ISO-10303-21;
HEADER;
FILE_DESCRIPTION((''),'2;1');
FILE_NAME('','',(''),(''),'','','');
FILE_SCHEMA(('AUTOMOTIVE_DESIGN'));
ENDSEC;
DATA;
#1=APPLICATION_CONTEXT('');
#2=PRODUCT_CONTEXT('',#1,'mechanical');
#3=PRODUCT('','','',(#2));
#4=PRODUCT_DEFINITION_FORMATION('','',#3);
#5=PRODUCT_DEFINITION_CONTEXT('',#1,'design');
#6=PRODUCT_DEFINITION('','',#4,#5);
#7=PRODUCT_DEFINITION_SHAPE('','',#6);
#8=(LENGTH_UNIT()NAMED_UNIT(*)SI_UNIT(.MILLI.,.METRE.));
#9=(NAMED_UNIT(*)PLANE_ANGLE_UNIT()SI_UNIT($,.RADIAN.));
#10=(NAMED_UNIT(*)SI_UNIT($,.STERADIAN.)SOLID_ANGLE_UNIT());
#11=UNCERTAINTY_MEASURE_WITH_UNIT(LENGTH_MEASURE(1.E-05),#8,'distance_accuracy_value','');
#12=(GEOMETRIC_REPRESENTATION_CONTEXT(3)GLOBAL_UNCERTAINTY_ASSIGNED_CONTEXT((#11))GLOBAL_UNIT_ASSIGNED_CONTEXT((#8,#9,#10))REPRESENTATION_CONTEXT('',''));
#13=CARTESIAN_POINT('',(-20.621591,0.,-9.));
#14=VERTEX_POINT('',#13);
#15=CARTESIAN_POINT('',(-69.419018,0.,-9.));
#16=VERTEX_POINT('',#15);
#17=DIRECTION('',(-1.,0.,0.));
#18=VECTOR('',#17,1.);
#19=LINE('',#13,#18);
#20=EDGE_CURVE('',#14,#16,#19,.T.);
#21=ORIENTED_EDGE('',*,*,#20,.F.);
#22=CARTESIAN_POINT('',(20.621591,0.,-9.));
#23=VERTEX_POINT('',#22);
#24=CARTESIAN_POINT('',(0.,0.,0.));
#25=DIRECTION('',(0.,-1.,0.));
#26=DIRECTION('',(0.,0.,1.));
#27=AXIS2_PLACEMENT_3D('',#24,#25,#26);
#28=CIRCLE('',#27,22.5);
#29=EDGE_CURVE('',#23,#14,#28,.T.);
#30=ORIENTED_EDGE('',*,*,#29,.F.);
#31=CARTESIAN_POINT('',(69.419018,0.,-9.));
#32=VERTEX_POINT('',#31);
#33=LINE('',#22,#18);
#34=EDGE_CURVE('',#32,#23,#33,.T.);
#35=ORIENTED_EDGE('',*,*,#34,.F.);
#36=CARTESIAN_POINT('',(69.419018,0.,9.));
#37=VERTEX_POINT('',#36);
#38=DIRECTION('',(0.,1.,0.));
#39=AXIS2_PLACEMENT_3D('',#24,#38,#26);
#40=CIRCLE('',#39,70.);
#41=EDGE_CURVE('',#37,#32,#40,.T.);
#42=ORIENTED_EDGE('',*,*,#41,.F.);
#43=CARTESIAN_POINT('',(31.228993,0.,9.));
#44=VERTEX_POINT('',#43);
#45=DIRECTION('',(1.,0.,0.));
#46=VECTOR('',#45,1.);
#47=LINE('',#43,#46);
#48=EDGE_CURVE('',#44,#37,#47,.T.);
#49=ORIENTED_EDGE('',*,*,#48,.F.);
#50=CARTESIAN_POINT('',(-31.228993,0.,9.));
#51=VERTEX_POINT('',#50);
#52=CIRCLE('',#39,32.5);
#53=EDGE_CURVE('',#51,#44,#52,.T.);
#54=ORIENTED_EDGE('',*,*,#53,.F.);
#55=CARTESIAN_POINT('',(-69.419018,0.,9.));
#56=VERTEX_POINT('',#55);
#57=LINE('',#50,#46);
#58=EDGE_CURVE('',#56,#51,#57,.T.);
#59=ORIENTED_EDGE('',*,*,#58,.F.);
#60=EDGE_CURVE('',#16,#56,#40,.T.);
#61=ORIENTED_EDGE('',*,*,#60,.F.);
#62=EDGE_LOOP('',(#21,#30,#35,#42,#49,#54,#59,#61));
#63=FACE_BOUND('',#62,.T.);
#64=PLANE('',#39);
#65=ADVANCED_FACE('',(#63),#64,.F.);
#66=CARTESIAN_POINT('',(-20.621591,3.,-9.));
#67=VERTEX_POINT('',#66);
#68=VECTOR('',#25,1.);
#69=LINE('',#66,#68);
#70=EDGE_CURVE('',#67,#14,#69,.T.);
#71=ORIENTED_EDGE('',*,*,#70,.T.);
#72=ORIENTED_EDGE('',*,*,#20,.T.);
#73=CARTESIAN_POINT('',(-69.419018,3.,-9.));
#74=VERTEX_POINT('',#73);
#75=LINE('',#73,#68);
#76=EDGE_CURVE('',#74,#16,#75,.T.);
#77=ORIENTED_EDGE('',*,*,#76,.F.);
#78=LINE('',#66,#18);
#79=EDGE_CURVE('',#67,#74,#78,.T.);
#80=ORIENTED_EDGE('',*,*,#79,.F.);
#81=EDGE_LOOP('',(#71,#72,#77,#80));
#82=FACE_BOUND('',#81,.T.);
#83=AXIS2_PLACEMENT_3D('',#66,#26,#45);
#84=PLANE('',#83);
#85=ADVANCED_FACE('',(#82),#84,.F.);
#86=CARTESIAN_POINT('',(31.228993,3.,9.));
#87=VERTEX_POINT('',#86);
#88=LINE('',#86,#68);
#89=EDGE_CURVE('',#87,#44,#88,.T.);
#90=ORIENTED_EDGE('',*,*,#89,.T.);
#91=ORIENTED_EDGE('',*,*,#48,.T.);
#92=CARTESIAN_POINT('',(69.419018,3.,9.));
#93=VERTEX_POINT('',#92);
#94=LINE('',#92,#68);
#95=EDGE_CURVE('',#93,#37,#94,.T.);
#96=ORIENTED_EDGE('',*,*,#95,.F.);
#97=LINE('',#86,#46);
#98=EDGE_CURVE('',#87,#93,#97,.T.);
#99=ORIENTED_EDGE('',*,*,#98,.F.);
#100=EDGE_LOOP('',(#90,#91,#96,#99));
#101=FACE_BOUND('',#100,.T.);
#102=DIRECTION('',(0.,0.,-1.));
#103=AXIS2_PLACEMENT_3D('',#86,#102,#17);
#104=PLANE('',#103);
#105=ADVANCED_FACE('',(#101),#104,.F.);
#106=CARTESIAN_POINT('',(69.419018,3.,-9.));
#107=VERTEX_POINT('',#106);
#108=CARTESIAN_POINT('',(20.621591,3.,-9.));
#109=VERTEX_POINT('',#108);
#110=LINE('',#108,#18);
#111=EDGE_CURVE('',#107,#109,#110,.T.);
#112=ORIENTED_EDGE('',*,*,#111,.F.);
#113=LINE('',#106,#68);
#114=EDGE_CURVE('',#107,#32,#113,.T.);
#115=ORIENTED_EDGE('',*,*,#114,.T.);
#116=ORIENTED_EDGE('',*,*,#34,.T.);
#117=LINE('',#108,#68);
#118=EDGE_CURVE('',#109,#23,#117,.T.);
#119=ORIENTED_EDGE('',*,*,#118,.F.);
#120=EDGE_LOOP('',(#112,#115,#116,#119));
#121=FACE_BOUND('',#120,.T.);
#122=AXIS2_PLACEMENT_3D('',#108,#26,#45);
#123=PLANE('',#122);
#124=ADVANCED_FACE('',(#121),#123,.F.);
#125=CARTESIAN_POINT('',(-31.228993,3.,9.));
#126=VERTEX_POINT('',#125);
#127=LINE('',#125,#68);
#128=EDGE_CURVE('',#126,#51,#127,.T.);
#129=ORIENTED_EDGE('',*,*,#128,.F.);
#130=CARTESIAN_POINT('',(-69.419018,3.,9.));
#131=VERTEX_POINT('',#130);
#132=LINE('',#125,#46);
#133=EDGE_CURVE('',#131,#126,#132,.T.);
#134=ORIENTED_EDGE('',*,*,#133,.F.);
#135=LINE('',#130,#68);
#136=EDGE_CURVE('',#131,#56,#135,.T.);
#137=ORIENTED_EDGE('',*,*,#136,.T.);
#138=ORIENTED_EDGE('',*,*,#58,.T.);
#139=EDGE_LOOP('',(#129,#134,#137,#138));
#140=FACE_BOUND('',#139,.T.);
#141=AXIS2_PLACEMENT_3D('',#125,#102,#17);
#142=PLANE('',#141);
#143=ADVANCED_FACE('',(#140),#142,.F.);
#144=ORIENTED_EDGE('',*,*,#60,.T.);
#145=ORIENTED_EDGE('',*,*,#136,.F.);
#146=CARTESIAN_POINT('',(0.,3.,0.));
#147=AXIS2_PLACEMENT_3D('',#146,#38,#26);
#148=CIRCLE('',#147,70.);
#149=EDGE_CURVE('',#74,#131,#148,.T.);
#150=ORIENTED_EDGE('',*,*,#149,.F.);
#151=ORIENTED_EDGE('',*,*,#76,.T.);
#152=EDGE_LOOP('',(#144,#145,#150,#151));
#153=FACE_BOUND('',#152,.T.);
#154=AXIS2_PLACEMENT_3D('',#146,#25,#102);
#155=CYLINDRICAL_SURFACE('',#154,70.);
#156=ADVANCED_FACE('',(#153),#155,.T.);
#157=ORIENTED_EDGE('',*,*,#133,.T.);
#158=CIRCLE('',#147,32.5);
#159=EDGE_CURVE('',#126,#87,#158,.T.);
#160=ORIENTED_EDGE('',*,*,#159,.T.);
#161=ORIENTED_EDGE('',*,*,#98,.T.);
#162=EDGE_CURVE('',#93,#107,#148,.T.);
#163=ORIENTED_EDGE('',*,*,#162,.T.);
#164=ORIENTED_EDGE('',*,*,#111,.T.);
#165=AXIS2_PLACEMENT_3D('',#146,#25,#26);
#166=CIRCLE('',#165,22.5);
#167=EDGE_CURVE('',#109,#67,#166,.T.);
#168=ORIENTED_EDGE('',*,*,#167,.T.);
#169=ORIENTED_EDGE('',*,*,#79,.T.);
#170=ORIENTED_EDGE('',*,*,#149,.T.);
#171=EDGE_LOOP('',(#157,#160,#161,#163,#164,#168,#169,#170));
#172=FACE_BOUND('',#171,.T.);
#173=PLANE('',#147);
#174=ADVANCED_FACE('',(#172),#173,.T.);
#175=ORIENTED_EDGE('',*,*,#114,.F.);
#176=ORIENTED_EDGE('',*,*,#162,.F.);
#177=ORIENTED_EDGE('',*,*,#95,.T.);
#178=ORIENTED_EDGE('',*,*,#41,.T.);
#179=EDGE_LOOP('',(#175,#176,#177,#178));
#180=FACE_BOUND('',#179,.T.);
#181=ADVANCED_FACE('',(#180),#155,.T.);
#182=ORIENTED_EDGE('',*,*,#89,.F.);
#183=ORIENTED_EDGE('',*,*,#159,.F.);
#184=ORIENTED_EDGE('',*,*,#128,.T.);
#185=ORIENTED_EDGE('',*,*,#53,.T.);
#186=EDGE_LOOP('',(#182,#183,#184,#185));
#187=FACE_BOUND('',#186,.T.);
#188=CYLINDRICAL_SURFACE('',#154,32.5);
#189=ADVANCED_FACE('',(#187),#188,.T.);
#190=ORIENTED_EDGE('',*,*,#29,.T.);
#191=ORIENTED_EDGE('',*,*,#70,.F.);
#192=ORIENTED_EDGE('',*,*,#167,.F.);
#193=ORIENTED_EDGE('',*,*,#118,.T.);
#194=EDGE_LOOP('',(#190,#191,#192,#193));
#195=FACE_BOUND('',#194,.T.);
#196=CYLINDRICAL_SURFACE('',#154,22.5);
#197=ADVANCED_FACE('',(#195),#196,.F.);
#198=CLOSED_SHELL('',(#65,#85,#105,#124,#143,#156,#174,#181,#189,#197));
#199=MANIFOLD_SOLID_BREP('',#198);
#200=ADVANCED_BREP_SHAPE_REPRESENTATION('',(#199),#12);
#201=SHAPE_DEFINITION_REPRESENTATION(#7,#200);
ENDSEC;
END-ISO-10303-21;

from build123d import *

# Parameters (mm, degrees)
SALIENTE_EXTRUIR1_DEPTH = 3


with BuildPart() as part:
    # Croquis1 → Saliente-Extruir1 (new body)
    with BuildSketch(Plane(origin=(0, 0, 0), x_dir=(1, 0, 0), z_dir=(0, 1, 0))):
        with BuildLine():
            Line((-31.228992939, -9), (-69.419017567, -9))
            ThreePointArc((-69.419017567, -9), (-70, 0), (-69.419017567, 9))
            Line((-69.419017567, 9), (-20.621590627, 9))
            ThreePointArc((-20.621590627, 9), (0, -22.5), (20.621590627, 9))
            Line((20.621590627, 9), (69.419017567, 9))
            ThreePointArc((69.419017567, 9), (70, 0), (69.419017567, -9))
            Line((69.419017567, -9), (31.228992939, -9))
            ThreePointArc((31.228992939, -9), (0, -32.5), (-31.228992939, -9))
        make_face()
    extrude(amount=SALIENTE_EXTRUIR1_DEPTH)


solid = part.part
